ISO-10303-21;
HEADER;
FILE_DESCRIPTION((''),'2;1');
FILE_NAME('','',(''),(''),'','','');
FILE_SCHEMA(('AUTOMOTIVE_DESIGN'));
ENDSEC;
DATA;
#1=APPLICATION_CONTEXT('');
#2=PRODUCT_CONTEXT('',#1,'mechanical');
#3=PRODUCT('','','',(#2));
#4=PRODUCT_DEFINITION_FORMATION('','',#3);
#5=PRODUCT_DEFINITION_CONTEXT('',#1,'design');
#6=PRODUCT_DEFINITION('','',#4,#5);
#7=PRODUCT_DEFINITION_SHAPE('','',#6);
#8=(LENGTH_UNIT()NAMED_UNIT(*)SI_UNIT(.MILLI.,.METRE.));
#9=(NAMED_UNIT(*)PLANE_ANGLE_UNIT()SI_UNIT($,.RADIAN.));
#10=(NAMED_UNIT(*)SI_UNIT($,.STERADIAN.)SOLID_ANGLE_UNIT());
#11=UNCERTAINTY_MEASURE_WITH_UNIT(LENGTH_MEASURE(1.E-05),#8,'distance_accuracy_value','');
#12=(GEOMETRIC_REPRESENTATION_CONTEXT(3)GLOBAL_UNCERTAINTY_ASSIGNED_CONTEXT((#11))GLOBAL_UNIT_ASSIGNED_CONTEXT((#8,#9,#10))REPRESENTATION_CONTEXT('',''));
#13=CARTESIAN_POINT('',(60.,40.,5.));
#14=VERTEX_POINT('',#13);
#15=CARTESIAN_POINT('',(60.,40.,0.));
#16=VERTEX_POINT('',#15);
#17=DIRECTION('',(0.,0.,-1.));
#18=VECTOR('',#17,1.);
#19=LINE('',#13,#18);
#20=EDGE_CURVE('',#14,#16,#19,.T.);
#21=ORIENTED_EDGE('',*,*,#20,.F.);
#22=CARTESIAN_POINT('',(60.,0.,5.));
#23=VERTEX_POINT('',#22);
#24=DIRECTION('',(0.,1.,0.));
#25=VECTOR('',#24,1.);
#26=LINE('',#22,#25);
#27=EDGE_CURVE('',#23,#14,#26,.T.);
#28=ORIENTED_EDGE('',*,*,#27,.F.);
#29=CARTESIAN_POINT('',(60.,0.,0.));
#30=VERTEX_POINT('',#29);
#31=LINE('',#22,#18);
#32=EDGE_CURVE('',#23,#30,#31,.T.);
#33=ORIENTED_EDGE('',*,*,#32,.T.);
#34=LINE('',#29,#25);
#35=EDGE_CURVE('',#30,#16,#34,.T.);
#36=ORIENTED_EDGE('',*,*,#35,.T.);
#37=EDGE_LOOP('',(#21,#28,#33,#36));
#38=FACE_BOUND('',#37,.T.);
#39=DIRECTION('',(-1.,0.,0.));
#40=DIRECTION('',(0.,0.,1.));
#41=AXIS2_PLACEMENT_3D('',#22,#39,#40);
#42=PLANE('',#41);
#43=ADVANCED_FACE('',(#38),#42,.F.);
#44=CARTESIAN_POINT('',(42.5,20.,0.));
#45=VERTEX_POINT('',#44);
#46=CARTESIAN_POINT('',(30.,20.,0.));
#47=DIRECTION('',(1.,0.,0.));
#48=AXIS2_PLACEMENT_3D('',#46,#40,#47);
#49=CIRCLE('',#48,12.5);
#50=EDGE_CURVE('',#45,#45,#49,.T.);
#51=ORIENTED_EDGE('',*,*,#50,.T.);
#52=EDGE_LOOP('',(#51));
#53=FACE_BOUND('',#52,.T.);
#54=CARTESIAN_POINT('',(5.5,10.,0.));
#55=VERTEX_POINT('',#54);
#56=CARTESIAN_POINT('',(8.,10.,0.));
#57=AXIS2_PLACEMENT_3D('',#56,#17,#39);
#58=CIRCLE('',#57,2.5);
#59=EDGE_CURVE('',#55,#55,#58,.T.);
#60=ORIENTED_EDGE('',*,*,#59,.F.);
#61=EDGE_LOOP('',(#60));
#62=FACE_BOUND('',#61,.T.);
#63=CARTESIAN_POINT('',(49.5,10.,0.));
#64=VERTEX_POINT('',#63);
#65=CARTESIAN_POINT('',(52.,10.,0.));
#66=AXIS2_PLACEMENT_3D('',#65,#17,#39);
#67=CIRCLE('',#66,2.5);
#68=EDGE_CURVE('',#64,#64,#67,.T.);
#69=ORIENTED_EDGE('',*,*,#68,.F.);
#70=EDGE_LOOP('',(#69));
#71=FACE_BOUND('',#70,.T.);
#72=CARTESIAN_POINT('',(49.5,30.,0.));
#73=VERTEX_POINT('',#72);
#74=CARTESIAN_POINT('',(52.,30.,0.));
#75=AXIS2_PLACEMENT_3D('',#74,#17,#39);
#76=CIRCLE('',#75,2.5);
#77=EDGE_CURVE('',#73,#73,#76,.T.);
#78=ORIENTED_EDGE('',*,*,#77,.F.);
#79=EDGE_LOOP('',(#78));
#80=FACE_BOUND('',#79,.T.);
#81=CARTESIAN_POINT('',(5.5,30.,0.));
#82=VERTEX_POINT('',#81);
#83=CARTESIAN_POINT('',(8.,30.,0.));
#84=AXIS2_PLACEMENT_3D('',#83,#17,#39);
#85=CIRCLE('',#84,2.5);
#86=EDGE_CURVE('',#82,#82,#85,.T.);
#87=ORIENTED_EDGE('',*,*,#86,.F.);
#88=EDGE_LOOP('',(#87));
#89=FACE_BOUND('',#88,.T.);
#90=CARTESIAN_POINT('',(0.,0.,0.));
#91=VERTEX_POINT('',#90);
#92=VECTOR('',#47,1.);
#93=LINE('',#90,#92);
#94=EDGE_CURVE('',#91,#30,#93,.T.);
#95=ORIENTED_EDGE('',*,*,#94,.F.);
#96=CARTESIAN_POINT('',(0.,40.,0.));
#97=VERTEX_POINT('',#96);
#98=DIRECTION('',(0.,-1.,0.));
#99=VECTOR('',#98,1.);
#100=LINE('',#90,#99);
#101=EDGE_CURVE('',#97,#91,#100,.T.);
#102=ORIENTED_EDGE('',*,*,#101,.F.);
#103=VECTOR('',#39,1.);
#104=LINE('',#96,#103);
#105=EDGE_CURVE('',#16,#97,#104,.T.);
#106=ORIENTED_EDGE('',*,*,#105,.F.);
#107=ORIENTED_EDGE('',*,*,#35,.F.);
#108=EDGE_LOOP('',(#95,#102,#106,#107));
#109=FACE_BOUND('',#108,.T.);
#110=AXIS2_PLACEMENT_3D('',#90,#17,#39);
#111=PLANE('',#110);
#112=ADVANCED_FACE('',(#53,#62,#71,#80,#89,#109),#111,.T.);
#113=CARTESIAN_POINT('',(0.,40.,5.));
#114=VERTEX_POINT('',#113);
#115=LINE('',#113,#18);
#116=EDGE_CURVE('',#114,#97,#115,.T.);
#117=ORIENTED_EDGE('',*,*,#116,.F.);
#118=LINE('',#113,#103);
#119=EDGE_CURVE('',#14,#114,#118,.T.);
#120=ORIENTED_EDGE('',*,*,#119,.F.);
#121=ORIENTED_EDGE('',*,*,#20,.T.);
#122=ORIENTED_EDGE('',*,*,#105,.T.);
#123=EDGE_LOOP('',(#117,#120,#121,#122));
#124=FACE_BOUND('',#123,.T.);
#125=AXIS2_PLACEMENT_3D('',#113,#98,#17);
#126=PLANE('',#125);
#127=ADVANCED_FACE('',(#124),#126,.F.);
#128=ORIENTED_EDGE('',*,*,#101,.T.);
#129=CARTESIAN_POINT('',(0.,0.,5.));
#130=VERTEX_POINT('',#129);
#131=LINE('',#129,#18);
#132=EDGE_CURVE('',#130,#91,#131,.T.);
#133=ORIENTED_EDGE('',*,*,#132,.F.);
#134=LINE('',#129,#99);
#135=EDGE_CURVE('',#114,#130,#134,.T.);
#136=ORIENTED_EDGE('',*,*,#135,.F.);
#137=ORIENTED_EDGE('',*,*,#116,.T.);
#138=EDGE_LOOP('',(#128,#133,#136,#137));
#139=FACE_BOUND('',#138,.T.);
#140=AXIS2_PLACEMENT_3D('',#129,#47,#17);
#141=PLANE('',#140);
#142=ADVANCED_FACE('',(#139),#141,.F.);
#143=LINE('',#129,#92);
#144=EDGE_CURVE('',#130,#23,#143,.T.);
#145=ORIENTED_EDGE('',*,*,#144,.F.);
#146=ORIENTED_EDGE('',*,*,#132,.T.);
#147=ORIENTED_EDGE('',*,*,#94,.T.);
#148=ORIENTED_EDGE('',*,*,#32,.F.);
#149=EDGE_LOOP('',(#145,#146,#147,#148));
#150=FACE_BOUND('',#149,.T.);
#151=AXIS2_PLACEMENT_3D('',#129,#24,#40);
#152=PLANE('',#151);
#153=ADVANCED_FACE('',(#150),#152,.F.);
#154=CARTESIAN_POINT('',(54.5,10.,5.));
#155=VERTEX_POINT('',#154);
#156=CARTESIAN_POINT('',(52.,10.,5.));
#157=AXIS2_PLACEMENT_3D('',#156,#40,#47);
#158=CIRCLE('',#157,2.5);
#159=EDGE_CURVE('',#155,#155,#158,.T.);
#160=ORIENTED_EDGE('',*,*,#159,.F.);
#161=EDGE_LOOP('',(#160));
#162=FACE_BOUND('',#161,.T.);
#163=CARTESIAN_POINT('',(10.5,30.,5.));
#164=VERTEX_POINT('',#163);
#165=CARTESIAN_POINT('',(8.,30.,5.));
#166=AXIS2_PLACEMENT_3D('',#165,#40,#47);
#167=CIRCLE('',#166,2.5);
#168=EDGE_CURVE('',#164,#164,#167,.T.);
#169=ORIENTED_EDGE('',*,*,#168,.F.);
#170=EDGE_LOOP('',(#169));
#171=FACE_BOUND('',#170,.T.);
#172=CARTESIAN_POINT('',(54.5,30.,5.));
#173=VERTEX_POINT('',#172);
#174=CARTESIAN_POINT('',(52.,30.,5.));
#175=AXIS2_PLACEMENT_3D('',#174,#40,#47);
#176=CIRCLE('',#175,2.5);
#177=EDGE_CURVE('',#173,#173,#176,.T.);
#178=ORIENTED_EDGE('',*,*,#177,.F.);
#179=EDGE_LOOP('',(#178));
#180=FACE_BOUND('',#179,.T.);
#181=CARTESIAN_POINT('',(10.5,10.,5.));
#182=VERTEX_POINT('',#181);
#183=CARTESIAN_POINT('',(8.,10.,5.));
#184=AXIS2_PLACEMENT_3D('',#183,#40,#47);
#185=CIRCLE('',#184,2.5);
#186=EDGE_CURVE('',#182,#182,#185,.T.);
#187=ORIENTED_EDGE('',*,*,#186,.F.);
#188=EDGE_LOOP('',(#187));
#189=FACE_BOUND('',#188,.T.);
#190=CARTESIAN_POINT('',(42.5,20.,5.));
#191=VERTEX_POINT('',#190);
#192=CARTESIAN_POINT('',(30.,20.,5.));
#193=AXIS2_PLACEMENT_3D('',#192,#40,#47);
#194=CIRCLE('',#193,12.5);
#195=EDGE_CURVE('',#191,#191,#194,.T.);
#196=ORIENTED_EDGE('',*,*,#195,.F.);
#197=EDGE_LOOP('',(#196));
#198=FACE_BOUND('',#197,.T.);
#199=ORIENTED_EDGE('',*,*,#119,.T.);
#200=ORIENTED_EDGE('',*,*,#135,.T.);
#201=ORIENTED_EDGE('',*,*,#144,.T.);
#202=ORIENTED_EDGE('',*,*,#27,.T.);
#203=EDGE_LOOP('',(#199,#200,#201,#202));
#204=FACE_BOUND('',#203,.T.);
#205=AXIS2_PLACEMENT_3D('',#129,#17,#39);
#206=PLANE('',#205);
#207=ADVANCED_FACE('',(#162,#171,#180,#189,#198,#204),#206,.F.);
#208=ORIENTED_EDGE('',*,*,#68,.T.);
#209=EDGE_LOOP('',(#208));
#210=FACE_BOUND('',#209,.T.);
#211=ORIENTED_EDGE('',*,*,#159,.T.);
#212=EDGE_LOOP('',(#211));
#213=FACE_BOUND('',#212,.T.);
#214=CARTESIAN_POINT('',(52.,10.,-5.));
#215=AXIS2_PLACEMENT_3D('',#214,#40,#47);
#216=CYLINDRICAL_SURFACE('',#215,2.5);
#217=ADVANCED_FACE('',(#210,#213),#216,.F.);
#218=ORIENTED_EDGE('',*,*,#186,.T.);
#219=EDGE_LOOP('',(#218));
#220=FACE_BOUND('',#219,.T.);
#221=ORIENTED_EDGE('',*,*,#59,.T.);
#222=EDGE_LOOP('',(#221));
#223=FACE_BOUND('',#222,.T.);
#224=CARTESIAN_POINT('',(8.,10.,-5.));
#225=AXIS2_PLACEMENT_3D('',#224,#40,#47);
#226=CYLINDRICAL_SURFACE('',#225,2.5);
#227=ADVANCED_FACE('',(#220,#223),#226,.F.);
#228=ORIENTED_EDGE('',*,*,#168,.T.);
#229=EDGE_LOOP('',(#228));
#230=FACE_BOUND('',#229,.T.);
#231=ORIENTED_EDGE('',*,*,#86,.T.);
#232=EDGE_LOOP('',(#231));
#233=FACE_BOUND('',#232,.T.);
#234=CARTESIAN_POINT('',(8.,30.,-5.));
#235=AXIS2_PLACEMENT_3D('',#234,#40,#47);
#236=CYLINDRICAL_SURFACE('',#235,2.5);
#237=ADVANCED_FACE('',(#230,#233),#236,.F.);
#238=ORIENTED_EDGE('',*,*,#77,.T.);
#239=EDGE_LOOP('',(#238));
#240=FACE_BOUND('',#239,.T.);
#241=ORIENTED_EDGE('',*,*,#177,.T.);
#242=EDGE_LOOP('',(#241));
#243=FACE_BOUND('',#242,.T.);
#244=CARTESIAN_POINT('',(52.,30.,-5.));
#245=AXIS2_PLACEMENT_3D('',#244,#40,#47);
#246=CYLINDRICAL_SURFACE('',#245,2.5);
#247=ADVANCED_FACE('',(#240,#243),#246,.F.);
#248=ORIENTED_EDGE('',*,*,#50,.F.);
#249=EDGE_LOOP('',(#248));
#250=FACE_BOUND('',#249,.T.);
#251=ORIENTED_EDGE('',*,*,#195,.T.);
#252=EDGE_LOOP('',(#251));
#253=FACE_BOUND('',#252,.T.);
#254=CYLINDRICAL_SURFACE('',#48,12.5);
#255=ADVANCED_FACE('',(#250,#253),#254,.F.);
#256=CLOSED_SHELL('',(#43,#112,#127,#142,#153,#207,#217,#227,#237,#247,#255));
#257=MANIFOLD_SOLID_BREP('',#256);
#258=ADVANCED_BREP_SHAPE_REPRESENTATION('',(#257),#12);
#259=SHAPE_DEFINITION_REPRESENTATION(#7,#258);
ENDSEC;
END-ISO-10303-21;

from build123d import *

# Parameters (mm, degrees)
SKETCH1_W           = 60
SKETCH1_H           = 40
BOSS_EXTRUDE1_DEPTH = 5
SKETCH2_R           = 12.5
CUT_EXTRUDE1_DEPTH  = 5
SKETCH3_R           = 2.5
CUT_EXTRUDE2_DEPTH  = 10


with BuildPart() as part:
    # Sketch1 → Boss-Extrude1 (new body)
    with BuildSketch(Plane.XY):
        with Locations((30, 20)):
            Rectangle(SKETCH1_W, SKETCH1_H)
    extrude(amount=BOSS_EXTRUDE1_DEPTH)

    # Sketch2 → Cut-Extrude1 (cut)
    with BuildSketch(Plane.XY.offset(5)):
        with Locations((30, 20)):
            Circle(SKETCH2_R)
    extrude(amount=-CUT_EXTRUDE1_DEPTH, mode=Mode.SUBTRACT)

    # Sketch3 → Cut-Extrude2 (cut)
    with BuildSketch(Plane.XY.offset(5)):
        with Locations((8, 30)):
            Circle(SKETCH3_R)
        with Locations((8, 10)):
            Circle(SKETCH3_R)
        with Locations((52, 10)):
            Circle(SKETCH3_R)
        with Locations((52, 30)):
            Circle(SKETCH3_R)
    extrude(amount=-CUT_EXTRUDE2_DEPTH, mode=Mode.SUBTRACT)


solid = part.part
